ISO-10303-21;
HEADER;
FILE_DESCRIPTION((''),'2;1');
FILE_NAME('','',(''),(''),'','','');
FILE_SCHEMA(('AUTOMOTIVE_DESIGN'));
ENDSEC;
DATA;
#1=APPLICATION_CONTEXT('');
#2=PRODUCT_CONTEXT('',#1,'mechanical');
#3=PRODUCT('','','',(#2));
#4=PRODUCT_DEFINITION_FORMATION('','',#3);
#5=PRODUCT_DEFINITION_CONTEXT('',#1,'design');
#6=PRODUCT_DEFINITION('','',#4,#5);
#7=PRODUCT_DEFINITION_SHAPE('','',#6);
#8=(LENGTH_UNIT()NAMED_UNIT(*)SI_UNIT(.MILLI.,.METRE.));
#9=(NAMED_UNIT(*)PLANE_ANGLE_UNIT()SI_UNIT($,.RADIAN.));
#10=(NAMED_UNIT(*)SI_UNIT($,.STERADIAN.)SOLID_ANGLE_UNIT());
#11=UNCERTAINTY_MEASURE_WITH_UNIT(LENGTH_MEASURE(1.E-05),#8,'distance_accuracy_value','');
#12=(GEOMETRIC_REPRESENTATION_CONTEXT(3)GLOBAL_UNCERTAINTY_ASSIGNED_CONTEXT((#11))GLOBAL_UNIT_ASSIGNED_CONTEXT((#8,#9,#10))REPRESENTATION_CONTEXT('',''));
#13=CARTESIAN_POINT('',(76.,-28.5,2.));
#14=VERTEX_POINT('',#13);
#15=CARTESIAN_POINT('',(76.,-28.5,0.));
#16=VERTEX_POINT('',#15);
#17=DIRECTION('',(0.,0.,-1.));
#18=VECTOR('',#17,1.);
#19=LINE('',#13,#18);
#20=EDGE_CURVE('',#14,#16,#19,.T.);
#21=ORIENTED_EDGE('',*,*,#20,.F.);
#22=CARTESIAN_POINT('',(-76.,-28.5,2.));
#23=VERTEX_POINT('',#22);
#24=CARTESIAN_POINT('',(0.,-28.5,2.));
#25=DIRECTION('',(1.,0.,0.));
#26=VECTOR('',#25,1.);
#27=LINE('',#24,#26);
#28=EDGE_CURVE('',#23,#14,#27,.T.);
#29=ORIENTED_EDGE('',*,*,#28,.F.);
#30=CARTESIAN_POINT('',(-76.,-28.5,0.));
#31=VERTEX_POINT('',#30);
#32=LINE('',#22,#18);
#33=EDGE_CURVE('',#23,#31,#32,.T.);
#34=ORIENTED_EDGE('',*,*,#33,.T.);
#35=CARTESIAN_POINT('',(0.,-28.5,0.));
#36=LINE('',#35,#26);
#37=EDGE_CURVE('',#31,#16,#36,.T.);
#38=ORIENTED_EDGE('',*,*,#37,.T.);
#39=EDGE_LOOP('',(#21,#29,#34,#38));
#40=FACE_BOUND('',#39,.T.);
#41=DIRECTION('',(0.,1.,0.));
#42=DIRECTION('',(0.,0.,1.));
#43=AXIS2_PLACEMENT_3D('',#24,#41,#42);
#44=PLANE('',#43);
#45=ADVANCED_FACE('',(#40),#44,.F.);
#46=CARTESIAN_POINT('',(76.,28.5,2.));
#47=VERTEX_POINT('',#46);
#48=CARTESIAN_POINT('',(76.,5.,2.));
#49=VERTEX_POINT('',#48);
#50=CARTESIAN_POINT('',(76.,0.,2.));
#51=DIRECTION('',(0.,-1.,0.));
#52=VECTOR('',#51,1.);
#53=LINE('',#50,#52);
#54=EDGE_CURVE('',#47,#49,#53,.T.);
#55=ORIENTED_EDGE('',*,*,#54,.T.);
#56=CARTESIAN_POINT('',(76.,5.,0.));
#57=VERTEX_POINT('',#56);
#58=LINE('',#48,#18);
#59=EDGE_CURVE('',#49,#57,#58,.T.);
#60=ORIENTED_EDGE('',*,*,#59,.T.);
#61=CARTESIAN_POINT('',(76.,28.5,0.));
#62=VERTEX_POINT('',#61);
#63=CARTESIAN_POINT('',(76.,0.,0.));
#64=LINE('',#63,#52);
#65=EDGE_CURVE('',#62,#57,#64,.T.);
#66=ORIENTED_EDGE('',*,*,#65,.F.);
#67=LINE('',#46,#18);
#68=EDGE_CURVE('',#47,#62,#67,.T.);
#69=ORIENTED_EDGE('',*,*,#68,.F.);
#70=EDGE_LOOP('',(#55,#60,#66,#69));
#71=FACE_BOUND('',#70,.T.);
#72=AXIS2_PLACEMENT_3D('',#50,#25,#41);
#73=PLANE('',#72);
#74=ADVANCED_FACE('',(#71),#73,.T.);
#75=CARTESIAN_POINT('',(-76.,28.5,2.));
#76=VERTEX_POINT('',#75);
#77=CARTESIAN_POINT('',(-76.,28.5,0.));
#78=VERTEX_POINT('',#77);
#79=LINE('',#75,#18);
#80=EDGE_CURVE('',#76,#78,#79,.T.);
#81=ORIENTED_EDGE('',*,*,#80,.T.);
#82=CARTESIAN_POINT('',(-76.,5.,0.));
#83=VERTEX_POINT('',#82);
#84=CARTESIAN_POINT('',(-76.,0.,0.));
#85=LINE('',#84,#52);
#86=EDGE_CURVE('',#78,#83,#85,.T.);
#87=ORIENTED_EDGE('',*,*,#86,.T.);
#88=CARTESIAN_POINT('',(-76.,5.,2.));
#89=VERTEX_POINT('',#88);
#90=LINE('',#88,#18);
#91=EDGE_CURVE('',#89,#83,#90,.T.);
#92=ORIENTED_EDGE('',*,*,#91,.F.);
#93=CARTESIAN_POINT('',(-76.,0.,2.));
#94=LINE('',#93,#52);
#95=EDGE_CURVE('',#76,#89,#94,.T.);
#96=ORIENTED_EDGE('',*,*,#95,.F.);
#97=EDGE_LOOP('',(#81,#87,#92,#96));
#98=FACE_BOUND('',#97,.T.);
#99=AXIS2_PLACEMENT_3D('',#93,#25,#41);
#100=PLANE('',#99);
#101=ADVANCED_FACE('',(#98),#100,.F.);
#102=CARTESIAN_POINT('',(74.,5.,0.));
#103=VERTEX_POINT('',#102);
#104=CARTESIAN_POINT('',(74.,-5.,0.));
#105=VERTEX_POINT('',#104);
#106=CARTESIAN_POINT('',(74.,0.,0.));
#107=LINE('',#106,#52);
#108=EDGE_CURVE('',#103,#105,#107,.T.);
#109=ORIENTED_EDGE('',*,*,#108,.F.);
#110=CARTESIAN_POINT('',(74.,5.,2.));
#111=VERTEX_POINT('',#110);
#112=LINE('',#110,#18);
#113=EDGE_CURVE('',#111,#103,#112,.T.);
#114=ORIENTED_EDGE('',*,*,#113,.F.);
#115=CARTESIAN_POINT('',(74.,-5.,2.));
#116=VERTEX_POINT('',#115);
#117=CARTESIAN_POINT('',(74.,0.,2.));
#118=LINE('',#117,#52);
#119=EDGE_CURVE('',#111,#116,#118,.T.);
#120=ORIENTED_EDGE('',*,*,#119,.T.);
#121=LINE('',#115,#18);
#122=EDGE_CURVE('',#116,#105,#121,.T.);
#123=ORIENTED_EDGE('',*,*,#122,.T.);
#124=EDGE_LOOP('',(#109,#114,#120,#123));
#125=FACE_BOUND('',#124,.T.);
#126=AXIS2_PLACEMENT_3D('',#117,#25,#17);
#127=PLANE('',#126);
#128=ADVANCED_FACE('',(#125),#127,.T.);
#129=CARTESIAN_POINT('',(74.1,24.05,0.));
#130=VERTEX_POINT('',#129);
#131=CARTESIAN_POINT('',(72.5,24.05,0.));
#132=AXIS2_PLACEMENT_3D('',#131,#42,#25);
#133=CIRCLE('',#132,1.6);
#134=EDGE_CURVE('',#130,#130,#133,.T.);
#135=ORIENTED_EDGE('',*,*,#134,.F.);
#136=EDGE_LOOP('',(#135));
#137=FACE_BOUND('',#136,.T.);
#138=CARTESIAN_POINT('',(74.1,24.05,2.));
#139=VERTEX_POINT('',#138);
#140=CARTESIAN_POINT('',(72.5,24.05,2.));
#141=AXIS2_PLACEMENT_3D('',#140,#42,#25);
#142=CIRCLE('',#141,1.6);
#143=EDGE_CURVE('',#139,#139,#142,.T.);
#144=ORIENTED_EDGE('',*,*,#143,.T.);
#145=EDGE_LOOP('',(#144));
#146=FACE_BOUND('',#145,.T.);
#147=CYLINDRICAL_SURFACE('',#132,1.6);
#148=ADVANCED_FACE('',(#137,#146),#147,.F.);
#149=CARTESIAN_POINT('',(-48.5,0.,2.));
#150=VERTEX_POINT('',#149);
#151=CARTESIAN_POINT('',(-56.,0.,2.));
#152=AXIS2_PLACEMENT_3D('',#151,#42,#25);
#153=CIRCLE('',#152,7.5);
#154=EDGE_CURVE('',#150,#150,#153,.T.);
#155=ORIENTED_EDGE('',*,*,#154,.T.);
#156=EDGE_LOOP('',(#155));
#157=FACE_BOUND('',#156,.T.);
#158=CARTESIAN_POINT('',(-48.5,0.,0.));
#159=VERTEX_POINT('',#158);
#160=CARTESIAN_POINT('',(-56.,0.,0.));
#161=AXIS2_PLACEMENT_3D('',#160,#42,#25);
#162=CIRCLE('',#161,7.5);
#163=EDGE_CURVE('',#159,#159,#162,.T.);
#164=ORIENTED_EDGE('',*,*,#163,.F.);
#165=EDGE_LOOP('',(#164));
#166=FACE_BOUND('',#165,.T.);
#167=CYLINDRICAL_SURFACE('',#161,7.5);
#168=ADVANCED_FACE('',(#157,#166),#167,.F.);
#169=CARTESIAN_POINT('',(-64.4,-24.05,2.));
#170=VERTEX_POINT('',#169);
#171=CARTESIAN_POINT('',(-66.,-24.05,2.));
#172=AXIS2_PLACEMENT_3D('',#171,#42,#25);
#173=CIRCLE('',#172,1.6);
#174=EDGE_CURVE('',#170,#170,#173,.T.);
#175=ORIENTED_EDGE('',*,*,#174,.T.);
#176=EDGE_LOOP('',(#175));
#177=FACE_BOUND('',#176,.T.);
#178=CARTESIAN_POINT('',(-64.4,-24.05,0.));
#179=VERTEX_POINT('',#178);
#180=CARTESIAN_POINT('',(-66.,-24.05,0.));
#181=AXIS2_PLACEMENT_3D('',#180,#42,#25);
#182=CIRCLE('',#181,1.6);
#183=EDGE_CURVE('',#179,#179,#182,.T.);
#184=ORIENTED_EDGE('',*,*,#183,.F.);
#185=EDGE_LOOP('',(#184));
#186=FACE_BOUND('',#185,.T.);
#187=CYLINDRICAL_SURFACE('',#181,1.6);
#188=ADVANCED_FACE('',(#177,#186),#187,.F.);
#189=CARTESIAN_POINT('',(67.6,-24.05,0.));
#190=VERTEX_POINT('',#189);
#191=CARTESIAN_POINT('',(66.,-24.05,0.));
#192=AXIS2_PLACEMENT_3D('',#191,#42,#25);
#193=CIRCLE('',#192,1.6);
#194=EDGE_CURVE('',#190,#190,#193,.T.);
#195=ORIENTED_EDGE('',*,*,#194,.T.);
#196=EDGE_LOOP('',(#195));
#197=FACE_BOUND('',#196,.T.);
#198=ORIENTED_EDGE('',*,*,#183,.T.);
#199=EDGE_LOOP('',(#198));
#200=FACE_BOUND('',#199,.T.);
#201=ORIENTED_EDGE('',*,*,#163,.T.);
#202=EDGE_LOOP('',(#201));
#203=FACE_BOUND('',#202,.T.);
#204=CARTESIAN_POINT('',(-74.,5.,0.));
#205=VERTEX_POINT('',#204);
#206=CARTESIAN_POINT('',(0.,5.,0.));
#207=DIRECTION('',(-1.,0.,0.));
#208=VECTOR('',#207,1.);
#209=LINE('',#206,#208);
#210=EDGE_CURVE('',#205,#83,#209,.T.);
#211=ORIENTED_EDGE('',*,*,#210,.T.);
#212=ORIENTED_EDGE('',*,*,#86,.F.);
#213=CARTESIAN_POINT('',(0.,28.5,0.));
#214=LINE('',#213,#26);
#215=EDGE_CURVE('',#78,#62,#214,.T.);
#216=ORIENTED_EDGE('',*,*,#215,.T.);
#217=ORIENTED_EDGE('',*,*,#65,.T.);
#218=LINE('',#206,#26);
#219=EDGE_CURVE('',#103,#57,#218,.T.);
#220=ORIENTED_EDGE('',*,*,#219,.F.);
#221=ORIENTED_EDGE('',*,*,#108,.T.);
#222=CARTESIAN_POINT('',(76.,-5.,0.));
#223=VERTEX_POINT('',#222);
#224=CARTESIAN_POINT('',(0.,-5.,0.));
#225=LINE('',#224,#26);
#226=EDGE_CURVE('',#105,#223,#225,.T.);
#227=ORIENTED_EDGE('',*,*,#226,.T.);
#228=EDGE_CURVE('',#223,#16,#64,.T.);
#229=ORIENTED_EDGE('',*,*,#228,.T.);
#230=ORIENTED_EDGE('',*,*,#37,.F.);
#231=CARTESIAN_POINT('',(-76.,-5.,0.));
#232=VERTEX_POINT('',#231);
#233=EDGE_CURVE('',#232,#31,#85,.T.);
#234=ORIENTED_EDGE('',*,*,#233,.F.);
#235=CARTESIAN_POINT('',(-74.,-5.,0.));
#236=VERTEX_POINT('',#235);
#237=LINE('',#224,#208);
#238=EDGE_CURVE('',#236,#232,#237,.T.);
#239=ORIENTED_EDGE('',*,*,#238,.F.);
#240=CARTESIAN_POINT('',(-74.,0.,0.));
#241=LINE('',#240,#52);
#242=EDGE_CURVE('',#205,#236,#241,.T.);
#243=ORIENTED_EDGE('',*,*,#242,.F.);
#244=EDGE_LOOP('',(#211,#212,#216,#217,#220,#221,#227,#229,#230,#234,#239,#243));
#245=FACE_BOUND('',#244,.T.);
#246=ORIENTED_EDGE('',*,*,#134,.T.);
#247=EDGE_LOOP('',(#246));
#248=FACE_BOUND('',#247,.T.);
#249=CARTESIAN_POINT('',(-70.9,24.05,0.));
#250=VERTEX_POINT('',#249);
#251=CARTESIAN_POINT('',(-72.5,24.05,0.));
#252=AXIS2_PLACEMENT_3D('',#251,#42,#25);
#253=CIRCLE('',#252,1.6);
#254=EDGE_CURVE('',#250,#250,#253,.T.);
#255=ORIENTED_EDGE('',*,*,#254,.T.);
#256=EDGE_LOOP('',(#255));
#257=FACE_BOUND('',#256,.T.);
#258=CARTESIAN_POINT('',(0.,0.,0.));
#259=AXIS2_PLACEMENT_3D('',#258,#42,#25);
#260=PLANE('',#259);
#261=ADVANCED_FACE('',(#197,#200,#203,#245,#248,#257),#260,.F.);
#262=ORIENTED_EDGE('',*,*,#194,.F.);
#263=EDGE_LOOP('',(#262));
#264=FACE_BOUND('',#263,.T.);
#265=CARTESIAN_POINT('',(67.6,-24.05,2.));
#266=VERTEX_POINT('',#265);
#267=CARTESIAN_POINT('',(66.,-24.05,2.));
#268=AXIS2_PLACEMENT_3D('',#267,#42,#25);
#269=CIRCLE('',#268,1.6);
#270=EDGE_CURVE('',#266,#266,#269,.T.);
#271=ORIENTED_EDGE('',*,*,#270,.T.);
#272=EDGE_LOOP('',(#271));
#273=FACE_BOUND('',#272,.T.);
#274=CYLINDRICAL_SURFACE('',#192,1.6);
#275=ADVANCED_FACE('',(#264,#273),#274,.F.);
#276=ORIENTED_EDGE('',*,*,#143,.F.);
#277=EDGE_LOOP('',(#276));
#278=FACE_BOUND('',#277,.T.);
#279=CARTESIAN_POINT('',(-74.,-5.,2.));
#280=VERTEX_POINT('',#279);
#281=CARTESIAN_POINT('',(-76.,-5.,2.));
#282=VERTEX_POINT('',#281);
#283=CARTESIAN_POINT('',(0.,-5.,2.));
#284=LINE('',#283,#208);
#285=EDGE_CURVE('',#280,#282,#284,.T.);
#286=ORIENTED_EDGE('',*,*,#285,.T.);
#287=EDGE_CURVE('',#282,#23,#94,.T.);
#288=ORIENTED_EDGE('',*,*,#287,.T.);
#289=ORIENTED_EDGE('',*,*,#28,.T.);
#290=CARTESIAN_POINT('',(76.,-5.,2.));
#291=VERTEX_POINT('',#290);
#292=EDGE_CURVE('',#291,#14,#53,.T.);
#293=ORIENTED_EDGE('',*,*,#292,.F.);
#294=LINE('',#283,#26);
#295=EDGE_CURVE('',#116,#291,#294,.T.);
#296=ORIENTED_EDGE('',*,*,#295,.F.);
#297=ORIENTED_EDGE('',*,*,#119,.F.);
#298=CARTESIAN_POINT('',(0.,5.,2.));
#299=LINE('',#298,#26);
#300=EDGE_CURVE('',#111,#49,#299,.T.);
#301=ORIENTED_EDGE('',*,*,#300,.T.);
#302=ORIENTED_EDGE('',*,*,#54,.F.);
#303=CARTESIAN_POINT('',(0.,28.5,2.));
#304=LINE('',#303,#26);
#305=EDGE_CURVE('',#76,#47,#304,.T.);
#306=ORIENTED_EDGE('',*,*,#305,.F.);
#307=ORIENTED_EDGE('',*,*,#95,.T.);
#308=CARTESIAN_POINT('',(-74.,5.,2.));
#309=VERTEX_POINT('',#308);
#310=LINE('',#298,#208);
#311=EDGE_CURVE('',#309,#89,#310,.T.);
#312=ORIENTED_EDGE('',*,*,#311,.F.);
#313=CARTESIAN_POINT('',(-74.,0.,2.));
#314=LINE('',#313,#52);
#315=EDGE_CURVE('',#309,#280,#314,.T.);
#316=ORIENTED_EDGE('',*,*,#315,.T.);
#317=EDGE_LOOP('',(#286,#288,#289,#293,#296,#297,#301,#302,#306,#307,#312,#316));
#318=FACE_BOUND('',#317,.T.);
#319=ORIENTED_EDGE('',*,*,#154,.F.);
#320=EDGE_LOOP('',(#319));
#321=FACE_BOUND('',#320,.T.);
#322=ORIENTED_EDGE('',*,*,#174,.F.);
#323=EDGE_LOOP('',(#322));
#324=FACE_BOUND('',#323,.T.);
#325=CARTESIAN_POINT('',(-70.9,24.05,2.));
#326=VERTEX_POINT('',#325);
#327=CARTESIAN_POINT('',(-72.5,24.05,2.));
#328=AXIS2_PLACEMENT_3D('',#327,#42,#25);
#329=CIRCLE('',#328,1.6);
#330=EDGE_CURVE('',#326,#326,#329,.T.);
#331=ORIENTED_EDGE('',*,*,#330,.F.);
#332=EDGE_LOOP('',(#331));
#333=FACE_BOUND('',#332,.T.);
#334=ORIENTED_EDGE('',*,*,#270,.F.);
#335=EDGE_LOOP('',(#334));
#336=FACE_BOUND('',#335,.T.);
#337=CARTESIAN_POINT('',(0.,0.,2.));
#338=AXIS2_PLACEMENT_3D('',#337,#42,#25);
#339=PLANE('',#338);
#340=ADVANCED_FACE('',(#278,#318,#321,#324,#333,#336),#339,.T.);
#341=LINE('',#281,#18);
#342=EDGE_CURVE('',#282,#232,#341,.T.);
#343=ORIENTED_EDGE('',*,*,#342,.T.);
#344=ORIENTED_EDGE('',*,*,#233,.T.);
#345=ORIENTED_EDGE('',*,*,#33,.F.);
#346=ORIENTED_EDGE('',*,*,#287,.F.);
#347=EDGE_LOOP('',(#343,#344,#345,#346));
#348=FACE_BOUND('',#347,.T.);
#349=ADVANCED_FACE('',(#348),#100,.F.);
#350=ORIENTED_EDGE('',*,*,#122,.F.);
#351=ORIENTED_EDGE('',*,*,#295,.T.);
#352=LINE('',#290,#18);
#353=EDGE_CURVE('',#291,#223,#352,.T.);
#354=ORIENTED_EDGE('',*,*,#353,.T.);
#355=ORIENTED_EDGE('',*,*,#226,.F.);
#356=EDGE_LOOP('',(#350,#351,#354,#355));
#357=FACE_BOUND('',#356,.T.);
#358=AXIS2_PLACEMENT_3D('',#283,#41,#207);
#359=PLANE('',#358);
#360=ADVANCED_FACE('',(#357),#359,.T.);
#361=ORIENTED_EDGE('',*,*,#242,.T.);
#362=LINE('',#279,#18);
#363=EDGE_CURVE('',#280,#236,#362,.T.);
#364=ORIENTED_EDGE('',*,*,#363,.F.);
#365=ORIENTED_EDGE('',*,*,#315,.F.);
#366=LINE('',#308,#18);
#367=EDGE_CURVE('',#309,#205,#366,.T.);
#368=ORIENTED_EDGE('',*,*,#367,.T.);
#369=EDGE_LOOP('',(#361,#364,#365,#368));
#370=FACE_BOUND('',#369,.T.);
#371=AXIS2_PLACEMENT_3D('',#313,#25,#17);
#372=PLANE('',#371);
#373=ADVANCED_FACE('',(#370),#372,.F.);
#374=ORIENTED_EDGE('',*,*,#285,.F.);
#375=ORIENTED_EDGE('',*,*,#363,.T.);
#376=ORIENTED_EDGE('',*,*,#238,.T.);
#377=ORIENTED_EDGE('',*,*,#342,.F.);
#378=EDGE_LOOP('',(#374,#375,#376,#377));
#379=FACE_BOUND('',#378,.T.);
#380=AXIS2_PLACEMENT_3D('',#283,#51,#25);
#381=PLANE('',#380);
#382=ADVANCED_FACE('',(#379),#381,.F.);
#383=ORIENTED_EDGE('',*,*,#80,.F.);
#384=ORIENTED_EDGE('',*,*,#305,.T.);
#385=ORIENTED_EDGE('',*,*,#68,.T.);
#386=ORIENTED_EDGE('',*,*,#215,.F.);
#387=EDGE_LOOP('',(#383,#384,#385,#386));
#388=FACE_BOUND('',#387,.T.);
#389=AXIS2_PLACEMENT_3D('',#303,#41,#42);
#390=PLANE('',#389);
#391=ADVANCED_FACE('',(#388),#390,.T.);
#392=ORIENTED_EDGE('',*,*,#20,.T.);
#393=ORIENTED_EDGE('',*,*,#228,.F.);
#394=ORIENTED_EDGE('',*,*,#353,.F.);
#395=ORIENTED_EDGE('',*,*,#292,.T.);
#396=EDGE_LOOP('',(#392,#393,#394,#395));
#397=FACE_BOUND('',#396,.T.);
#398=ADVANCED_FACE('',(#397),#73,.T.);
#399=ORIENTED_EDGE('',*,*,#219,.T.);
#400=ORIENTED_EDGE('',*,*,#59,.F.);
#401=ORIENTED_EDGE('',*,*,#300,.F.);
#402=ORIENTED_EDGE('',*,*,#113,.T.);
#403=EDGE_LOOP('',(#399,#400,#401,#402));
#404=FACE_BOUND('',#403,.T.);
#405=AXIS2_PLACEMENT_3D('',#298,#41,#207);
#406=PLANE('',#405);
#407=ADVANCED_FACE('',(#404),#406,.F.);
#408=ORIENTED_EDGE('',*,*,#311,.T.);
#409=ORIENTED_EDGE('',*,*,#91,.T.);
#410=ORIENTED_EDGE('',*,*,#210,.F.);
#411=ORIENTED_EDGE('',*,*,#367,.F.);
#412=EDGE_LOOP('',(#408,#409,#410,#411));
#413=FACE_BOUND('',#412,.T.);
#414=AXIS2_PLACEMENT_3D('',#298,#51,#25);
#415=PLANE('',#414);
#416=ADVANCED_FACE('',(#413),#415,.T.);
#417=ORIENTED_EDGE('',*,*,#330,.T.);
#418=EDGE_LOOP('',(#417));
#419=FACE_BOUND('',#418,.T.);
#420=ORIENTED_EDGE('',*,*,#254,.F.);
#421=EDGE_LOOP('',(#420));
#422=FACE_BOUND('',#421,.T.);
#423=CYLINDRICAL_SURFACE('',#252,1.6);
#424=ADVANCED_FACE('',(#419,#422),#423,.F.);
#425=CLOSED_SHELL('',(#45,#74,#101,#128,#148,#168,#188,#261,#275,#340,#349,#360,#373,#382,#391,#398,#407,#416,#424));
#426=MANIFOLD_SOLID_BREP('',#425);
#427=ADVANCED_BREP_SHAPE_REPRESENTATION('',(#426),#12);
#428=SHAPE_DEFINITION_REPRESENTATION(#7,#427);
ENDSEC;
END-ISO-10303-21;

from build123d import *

# Parameters (mm, degrees)
BOSS_EXTRUDE1_DEPTH = 2
SKETCH2_R           = 1.6
SKETCH2_R_2         = 7.5
CUT_EXTRUDE1_DEPTH  = 82.192672083


with BuildPart() as part:
    # Sketch1 → Boss-Extrude1 (new body)
    with BuildSketch(Plane.XY):
        Polygon((76, 28.5), (-76, 28.5), (-76, 5), (-74, 5), (-74, -5), (-76, -5), (-76, -28.5), (76, -28.5), (76, -5), (74, -5), (74, 5), (76, 5), align=None)
    extrude(amount=BOSS_EXTRUDE1_DEPTH)

    # Sketch2 → Cut-Extrude1 (cut, through all)
    with BuildSketch(Plane.XY.offset(2)):
        with Locations((-72.5, 24.05)):
            Circle(SKETCH2_R)
        with Locations((72.5, 24.05)):
            Circle(SKETCH2_R)
        with Locations((66, -24.05)):
            Circle(SKETCH2_R)
        with Locations((-66, -24.05)):
            Circle(SKETCH2_R)
        with Locations((-56, 0)):
            Circle(SKETCH2_R_2)
    extrude(amount=-CUT_EXTRUDE1_DEPTH, mode=Mode.SUBTRACT)


solid = part.part
